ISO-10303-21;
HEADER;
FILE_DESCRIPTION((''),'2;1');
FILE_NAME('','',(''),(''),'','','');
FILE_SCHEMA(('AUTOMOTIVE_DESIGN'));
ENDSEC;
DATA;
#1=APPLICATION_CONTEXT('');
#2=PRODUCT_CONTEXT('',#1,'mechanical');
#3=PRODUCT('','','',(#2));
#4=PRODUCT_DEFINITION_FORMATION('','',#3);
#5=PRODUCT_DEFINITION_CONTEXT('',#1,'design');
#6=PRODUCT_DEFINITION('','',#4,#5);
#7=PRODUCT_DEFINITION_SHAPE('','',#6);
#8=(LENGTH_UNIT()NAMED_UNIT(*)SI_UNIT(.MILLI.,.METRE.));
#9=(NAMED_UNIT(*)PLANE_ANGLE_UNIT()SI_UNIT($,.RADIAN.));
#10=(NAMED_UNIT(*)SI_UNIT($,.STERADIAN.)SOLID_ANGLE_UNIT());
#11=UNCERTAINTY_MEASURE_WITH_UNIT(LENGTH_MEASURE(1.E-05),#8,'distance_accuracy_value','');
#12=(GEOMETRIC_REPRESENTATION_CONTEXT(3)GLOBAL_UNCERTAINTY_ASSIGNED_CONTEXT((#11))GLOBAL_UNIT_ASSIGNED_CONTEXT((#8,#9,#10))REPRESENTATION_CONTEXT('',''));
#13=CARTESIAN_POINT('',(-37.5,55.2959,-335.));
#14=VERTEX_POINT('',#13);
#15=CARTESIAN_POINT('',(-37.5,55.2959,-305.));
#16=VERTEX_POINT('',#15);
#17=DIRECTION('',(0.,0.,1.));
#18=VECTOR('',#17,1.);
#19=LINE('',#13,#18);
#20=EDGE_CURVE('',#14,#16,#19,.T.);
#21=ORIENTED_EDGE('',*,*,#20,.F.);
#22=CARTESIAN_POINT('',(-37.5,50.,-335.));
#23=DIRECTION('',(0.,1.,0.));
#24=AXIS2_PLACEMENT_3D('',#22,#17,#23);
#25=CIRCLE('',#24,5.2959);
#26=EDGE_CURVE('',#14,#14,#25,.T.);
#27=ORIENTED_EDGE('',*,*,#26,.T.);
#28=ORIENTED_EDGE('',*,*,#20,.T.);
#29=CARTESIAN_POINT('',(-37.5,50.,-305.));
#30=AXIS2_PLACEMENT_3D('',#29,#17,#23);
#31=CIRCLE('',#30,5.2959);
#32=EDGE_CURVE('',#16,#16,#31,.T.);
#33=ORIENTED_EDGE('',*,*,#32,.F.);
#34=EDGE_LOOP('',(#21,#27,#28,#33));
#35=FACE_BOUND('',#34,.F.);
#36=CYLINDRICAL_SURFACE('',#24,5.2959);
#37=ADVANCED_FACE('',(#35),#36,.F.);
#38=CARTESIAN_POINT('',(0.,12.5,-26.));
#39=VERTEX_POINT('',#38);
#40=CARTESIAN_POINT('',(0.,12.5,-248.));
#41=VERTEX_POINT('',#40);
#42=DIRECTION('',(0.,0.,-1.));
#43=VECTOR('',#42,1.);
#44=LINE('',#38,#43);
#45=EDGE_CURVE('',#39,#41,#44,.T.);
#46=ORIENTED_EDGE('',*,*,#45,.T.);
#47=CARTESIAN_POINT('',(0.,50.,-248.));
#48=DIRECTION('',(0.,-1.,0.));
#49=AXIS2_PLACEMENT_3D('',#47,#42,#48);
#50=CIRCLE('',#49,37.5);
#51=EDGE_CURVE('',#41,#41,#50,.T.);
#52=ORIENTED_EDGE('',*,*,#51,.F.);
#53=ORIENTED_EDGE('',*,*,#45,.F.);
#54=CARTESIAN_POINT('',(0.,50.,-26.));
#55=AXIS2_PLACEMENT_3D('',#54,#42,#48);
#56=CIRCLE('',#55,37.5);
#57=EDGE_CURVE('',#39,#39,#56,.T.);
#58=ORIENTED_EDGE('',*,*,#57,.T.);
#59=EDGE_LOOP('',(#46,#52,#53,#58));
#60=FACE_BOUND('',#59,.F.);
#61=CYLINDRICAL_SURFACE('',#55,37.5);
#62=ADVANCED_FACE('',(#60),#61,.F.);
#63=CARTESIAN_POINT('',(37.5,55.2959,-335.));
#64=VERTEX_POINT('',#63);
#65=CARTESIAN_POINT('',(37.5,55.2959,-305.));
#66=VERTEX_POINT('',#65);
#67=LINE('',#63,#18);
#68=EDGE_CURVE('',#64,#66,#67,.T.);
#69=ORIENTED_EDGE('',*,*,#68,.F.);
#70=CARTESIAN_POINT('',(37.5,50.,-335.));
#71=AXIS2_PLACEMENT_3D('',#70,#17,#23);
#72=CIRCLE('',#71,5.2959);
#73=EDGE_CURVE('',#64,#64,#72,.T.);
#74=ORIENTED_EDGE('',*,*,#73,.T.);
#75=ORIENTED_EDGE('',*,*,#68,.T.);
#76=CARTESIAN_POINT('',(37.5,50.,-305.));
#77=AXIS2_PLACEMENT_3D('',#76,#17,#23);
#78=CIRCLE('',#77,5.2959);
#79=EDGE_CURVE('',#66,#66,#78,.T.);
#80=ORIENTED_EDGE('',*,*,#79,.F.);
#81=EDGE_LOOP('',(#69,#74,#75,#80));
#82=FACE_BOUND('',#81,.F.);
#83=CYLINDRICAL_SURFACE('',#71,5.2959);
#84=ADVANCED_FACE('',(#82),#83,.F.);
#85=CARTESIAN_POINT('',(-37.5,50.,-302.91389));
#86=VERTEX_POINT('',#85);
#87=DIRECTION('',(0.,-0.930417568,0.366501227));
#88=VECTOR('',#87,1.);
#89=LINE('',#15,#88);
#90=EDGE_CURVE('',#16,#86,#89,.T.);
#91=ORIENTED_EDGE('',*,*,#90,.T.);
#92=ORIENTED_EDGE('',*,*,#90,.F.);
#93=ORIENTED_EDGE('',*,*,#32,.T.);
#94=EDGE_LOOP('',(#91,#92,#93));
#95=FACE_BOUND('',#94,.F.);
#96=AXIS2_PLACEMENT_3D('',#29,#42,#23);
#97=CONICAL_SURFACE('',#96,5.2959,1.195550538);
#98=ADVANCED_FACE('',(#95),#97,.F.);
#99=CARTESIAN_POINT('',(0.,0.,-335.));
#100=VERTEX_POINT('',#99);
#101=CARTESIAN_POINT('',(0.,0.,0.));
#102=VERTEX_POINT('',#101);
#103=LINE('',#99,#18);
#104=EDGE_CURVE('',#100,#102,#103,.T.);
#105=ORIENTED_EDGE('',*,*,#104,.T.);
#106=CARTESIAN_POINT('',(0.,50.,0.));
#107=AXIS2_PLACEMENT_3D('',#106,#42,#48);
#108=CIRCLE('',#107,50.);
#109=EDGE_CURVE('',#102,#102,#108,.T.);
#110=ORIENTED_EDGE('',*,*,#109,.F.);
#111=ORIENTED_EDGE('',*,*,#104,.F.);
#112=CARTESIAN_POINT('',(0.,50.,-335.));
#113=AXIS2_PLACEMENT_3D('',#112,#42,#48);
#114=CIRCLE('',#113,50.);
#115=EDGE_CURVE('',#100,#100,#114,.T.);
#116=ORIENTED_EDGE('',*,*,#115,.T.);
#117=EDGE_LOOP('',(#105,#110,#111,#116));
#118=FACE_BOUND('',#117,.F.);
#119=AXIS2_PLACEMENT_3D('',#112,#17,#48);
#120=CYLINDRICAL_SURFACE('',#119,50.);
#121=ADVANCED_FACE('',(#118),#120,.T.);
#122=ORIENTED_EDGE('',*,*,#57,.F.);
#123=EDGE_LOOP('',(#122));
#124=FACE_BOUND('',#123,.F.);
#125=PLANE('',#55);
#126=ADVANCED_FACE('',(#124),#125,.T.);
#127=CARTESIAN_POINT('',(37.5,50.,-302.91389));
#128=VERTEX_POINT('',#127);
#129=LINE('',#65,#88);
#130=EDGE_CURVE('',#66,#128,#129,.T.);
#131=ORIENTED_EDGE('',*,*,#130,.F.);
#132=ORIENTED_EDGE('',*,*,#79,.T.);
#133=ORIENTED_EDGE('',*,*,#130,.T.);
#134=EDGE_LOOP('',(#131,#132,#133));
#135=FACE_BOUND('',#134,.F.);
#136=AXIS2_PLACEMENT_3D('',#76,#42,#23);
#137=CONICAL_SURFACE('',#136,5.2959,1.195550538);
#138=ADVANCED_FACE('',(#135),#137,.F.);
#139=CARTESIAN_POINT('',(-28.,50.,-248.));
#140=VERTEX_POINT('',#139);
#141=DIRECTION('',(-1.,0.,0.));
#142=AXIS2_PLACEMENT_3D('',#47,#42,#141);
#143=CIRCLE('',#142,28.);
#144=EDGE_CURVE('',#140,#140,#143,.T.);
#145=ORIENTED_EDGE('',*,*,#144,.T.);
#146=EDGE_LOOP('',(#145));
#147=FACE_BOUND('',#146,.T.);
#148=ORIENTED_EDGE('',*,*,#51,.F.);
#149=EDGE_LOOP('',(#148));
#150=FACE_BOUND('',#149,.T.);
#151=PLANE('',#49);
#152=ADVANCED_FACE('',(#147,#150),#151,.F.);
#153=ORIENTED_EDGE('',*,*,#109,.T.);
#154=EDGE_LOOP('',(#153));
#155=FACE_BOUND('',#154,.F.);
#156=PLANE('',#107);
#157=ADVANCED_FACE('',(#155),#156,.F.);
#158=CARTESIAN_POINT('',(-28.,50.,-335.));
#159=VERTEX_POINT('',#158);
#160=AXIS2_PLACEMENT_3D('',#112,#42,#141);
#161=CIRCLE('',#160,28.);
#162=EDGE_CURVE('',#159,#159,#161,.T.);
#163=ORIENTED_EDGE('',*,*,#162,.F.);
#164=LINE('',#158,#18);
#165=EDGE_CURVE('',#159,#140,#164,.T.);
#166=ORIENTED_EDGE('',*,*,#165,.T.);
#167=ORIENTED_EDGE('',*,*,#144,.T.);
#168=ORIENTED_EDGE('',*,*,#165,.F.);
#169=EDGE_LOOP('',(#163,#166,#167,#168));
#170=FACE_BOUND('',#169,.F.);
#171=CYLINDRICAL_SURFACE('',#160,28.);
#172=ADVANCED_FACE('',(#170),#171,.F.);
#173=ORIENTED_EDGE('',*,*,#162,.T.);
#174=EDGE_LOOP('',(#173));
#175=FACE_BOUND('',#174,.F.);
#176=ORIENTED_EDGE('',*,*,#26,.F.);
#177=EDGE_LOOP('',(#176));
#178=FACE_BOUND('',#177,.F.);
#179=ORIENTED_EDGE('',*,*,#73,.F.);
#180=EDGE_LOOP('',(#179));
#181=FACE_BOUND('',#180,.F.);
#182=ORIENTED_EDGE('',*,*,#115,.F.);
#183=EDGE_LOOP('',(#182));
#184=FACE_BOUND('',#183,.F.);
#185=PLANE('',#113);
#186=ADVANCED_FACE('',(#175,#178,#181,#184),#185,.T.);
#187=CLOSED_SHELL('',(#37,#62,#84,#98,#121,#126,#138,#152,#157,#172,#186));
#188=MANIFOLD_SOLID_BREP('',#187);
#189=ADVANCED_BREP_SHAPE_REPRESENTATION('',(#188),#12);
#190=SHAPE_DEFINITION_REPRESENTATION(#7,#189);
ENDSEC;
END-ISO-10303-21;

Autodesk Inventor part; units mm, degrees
ref_plane "YZ Plane" through (0, 0, 0) normal (1, 0, 0) x (0, 1, 0)
ref_plane "XZ Plane" through (0, 0, 0) normal (0, 1, 0) x (-1, 0, 0)
ref_plane "XY Plane" through (0, 0, 0) normal (0, 0, 1) x (1, 0, 0)
sketch "Sketch2" plane through (0, 0, 0) normal (1, 0, 0) x (0, 1, 0)
  line L0 (0, 0) -> (50, 0)
  line L1 (50, -335) -> (0, -335)
  line L2 (0, -335) -> (0, 0)
  line L3 (0, 0) -> (50, 0)
  line L4 (50, 0) -> (50, -26)
  line L5 (50, -26) -> (12.5, -26)
  line L6 (50, -335) -> (50, -248)
  line L7 (50, -248) -> (12.5, -248)
  line L8 (12.5, -26) -> (12.5, -248)
  line L9 (0, -335) -> (0, -465) construction
  dimension "d4" = 50
  dimension "d7" = 335
  dimension "d8" = 50
  dimension "d9" = 26
  dimension "d10" = 37.5
  dimension "d12" = 37.5
  dimension "d20" = 87
revolve "Revolution1" add sketch "Sketch2" angle 360 about axis through (0, 50, 0) along (0, 0, -1)
sketch "Sketch3" plane through (0, 50, -335) normal (0, 0, -1) x (-1, 0, 0)
  circle A0 centre (0, 0) radius 28
  point P0 (0, -50)
  dimension "d14" = 56
extrude "Extrusion2" cut sketch "Sketch3" against normal blind 309
sketch "Sketch4" plane through (0, 50, -335) normal (0, 0, -1) x (-1, 0, 0)
  circle A0 centre (0, 0) radius 37.5 projected
  point P0 (0, -50)
  point P1 (37.5, 0)
  point P2 (-37.5, 0)
  dimension "d21" = 37.5
  dimension "d22" = 37.5
hole "Hole1" at (-37.5, 50, -335) at (37.5, 50, -335) direction (0, 0, 1) diameter 10.5918 depth 30 tip angle 137 thread size "1/2-13 UNC" class "2B" standard "ANSI Unified Screw Threads"
equation "\"d22\" = d21"
equation "\"d4\" = d8"
equation "\"d12\" = d10"
properties part number "CilindroHidraulico_1"
